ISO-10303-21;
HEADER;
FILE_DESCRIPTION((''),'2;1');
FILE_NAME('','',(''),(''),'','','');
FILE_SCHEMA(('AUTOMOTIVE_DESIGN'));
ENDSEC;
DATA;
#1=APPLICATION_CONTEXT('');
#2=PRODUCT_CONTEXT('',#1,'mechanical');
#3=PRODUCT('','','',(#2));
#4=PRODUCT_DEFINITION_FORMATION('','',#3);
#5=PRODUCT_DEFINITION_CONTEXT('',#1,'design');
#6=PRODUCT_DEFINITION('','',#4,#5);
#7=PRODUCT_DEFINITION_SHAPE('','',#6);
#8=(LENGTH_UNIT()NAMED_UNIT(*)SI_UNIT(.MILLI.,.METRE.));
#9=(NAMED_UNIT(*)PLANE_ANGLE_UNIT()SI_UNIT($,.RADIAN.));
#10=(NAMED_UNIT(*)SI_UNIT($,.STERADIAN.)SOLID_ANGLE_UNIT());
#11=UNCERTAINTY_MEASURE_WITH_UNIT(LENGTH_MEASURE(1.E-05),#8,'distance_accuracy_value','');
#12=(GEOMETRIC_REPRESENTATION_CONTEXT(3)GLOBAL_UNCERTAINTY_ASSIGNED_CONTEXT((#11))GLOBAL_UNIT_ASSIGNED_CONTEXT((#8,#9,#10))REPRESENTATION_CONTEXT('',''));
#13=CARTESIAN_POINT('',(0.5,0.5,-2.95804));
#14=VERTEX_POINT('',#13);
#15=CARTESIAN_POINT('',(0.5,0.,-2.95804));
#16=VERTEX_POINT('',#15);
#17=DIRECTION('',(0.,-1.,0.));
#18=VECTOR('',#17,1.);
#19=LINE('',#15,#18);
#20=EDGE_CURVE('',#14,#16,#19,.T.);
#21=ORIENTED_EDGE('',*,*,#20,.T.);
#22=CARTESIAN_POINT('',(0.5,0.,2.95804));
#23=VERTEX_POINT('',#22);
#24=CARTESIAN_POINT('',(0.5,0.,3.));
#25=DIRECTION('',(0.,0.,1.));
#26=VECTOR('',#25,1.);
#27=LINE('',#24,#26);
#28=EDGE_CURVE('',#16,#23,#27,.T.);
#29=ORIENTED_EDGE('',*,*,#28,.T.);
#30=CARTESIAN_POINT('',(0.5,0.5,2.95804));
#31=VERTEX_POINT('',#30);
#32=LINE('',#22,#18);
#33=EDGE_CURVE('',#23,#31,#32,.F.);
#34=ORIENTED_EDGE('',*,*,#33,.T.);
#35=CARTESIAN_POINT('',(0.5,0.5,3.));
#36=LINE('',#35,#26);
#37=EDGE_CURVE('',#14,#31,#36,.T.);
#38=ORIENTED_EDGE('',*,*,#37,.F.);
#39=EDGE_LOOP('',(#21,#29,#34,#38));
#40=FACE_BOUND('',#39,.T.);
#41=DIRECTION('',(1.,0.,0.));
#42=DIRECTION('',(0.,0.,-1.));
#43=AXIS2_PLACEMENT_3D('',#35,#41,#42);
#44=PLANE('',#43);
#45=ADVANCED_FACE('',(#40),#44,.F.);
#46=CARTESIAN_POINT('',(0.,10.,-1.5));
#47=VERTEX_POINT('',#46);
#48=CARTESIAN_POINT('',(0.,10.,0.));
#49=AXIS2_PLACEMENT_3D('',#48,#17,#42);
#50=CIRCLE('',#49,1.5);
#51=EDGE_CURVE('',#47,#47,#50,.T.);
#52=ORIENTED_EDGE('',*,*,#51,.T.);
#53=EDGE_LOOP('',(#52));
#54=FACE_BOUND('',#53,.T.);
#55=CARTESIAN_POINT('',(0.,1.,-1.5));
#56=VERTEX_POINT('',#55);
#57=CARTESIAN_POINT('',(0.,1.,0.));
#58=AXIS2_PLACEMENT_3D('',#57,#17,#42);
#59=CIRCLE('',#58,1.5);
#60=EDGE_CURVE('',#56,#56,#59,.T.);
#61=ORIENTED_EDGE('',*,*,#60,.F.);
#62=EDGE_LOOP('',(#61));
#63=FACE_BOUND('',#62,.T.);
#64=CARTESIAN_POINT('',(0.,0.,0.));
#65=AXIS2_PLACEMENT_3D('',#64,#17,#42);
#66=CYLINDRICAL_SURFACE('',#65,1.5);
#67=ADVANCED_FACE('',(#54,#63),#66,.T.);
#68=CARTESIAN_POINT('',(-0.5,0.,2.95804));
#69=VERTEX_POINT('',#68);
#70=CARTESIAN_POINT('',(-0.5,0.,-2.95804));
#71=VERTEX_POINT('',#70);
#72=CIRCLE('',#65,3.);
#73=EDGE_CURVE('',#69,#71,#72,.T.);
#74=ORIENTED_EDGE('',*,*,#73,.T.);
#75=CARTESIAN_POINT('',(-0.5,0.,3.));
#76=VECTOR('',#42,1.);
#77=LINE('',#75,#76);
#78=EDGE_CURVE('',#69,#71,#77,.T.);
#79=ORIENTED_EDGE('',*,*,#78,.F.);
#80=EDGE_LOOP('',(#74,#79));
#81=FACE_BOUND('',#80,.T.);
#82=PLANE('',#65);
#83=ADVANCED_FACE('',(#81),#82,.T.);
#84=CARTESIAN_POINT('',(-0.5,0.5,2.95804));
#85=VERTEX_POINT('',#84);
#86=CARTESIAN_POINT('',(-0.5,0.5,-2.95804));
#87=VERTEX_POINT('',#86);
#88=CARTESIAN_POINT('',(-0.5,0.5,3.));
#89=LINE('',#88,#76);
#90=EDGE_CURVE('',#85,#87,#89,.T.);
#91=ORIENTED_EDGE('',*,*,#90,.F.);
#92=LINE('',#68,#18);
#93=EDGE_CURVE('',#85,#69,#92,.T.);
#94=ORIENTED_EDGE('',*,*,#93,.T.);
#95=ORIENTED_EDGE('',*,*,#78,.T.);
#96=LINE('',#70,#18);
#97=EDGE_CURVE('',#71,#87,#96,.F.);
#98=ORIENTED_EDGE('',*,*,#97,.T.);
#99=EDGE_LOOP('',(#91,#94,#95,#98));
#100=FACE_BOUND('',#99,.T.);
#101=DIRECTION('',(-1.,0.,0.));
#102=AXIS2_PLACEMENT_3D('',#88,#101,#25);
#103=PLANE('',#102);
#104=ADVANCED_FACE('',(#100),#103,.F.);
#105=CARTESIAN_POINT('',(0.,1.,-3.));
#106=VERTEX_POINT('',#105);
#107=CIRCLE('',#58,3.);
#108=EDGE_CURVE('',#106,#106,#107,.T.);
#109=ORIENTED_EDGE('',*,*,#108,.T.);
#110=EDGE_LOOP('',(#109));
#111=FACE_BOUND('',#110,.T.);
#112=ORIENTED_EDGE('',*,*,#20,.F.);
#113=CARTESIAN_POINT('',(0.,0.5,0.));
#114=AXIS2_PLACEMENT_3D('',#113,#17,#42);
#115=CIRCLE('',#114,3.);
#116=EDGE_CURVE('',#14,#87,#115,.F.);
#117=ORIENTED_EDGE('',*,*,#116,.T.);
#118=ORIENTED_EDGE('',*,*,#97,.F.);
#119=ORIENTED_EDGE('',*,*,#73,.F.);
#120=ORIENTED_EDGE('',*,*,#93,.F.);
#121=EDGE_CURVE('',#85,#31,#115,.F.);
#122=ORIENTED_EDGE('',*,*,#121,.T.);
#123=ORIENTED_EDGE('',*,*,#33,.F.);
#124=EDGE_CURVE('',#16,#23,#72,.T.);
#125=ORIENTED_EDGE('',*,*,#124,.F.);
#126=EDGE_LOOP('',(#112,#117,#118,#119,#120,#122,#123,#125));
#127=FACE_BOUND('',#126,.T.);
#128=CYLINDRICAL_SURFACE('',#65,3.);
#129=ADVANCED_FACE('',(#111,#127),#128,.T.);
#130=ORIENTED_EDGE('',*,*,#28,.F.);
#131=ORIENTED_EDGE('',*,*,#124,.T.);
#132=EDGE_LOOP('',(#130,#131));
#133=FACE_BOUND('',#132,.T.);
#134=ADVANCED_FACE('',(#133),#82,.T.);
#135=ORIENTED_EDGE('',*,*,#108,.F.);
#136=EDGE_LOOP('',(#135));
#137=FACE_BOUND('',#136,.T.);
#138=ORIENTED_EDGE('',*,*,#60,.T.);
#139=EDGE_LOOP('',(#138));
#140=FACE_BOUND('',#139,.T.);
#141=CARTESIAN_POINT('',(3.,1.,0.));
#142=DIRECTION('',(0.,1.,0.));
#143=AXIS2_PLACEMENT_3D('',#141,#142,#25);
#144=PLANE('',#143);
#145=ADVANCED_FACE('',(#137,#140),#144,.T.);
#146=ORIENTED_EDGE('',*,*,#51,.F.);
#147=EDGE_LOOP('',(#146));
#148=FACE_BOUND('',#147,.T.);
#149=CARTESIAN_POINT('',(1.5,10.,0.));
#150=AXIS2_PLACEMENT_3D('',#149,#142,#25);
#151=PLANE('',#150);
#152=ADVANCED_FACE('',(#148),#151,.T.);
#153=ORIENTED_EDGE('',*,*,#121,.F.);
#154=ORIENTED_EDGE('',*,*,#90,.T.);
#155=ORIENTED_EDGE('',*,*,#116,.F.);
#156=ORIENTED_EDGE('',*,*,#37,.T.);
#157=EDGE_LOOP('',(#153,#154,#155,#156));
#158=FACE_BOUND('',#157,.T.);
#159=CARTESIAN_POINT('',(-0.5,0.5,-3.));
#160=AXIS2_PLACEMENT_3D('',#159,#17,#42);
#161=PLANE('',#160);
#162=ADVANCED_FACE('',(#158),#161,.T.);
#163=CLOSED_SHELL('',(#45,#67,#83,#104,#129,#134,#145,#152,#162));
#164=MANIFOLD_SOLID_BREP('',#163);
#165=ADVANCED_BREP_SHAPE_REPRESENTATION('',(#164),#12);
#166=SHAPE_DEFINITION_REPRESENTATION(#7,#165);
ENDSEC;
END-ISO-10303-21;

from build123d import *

# Parameters (mm, degrees)
ESQUISSE2_W             = 1
ESQUISSE2_H             = 6
ENL_V_MAT_EXTRU_1_DEPTH = 0.5


with BuildPart() as part:
    # Esquisse1 → Révolution1 (revolve)
    with BuildSketch(Plane.XY):
        Polygon((0, 0), (3, 0), (3, 1), (1.5, 1), (1.5, 10), (0, 10), align=None)
    revolve(axis=Axis((0, 0, 0), (0, 1, 0)))

    # Esquisse2 → Enlèv. mat.-Extru.1 (cut)
    with BuildSketch(Plane.XZ):
        Rectangle(ESQUISSE2_W, ESQUISSE2_H)
    extrude(amount=-ENL_V_MAT_EXTRU_1_DEPTH, mode=Mode.SUBTRACT)


solid = part.part
